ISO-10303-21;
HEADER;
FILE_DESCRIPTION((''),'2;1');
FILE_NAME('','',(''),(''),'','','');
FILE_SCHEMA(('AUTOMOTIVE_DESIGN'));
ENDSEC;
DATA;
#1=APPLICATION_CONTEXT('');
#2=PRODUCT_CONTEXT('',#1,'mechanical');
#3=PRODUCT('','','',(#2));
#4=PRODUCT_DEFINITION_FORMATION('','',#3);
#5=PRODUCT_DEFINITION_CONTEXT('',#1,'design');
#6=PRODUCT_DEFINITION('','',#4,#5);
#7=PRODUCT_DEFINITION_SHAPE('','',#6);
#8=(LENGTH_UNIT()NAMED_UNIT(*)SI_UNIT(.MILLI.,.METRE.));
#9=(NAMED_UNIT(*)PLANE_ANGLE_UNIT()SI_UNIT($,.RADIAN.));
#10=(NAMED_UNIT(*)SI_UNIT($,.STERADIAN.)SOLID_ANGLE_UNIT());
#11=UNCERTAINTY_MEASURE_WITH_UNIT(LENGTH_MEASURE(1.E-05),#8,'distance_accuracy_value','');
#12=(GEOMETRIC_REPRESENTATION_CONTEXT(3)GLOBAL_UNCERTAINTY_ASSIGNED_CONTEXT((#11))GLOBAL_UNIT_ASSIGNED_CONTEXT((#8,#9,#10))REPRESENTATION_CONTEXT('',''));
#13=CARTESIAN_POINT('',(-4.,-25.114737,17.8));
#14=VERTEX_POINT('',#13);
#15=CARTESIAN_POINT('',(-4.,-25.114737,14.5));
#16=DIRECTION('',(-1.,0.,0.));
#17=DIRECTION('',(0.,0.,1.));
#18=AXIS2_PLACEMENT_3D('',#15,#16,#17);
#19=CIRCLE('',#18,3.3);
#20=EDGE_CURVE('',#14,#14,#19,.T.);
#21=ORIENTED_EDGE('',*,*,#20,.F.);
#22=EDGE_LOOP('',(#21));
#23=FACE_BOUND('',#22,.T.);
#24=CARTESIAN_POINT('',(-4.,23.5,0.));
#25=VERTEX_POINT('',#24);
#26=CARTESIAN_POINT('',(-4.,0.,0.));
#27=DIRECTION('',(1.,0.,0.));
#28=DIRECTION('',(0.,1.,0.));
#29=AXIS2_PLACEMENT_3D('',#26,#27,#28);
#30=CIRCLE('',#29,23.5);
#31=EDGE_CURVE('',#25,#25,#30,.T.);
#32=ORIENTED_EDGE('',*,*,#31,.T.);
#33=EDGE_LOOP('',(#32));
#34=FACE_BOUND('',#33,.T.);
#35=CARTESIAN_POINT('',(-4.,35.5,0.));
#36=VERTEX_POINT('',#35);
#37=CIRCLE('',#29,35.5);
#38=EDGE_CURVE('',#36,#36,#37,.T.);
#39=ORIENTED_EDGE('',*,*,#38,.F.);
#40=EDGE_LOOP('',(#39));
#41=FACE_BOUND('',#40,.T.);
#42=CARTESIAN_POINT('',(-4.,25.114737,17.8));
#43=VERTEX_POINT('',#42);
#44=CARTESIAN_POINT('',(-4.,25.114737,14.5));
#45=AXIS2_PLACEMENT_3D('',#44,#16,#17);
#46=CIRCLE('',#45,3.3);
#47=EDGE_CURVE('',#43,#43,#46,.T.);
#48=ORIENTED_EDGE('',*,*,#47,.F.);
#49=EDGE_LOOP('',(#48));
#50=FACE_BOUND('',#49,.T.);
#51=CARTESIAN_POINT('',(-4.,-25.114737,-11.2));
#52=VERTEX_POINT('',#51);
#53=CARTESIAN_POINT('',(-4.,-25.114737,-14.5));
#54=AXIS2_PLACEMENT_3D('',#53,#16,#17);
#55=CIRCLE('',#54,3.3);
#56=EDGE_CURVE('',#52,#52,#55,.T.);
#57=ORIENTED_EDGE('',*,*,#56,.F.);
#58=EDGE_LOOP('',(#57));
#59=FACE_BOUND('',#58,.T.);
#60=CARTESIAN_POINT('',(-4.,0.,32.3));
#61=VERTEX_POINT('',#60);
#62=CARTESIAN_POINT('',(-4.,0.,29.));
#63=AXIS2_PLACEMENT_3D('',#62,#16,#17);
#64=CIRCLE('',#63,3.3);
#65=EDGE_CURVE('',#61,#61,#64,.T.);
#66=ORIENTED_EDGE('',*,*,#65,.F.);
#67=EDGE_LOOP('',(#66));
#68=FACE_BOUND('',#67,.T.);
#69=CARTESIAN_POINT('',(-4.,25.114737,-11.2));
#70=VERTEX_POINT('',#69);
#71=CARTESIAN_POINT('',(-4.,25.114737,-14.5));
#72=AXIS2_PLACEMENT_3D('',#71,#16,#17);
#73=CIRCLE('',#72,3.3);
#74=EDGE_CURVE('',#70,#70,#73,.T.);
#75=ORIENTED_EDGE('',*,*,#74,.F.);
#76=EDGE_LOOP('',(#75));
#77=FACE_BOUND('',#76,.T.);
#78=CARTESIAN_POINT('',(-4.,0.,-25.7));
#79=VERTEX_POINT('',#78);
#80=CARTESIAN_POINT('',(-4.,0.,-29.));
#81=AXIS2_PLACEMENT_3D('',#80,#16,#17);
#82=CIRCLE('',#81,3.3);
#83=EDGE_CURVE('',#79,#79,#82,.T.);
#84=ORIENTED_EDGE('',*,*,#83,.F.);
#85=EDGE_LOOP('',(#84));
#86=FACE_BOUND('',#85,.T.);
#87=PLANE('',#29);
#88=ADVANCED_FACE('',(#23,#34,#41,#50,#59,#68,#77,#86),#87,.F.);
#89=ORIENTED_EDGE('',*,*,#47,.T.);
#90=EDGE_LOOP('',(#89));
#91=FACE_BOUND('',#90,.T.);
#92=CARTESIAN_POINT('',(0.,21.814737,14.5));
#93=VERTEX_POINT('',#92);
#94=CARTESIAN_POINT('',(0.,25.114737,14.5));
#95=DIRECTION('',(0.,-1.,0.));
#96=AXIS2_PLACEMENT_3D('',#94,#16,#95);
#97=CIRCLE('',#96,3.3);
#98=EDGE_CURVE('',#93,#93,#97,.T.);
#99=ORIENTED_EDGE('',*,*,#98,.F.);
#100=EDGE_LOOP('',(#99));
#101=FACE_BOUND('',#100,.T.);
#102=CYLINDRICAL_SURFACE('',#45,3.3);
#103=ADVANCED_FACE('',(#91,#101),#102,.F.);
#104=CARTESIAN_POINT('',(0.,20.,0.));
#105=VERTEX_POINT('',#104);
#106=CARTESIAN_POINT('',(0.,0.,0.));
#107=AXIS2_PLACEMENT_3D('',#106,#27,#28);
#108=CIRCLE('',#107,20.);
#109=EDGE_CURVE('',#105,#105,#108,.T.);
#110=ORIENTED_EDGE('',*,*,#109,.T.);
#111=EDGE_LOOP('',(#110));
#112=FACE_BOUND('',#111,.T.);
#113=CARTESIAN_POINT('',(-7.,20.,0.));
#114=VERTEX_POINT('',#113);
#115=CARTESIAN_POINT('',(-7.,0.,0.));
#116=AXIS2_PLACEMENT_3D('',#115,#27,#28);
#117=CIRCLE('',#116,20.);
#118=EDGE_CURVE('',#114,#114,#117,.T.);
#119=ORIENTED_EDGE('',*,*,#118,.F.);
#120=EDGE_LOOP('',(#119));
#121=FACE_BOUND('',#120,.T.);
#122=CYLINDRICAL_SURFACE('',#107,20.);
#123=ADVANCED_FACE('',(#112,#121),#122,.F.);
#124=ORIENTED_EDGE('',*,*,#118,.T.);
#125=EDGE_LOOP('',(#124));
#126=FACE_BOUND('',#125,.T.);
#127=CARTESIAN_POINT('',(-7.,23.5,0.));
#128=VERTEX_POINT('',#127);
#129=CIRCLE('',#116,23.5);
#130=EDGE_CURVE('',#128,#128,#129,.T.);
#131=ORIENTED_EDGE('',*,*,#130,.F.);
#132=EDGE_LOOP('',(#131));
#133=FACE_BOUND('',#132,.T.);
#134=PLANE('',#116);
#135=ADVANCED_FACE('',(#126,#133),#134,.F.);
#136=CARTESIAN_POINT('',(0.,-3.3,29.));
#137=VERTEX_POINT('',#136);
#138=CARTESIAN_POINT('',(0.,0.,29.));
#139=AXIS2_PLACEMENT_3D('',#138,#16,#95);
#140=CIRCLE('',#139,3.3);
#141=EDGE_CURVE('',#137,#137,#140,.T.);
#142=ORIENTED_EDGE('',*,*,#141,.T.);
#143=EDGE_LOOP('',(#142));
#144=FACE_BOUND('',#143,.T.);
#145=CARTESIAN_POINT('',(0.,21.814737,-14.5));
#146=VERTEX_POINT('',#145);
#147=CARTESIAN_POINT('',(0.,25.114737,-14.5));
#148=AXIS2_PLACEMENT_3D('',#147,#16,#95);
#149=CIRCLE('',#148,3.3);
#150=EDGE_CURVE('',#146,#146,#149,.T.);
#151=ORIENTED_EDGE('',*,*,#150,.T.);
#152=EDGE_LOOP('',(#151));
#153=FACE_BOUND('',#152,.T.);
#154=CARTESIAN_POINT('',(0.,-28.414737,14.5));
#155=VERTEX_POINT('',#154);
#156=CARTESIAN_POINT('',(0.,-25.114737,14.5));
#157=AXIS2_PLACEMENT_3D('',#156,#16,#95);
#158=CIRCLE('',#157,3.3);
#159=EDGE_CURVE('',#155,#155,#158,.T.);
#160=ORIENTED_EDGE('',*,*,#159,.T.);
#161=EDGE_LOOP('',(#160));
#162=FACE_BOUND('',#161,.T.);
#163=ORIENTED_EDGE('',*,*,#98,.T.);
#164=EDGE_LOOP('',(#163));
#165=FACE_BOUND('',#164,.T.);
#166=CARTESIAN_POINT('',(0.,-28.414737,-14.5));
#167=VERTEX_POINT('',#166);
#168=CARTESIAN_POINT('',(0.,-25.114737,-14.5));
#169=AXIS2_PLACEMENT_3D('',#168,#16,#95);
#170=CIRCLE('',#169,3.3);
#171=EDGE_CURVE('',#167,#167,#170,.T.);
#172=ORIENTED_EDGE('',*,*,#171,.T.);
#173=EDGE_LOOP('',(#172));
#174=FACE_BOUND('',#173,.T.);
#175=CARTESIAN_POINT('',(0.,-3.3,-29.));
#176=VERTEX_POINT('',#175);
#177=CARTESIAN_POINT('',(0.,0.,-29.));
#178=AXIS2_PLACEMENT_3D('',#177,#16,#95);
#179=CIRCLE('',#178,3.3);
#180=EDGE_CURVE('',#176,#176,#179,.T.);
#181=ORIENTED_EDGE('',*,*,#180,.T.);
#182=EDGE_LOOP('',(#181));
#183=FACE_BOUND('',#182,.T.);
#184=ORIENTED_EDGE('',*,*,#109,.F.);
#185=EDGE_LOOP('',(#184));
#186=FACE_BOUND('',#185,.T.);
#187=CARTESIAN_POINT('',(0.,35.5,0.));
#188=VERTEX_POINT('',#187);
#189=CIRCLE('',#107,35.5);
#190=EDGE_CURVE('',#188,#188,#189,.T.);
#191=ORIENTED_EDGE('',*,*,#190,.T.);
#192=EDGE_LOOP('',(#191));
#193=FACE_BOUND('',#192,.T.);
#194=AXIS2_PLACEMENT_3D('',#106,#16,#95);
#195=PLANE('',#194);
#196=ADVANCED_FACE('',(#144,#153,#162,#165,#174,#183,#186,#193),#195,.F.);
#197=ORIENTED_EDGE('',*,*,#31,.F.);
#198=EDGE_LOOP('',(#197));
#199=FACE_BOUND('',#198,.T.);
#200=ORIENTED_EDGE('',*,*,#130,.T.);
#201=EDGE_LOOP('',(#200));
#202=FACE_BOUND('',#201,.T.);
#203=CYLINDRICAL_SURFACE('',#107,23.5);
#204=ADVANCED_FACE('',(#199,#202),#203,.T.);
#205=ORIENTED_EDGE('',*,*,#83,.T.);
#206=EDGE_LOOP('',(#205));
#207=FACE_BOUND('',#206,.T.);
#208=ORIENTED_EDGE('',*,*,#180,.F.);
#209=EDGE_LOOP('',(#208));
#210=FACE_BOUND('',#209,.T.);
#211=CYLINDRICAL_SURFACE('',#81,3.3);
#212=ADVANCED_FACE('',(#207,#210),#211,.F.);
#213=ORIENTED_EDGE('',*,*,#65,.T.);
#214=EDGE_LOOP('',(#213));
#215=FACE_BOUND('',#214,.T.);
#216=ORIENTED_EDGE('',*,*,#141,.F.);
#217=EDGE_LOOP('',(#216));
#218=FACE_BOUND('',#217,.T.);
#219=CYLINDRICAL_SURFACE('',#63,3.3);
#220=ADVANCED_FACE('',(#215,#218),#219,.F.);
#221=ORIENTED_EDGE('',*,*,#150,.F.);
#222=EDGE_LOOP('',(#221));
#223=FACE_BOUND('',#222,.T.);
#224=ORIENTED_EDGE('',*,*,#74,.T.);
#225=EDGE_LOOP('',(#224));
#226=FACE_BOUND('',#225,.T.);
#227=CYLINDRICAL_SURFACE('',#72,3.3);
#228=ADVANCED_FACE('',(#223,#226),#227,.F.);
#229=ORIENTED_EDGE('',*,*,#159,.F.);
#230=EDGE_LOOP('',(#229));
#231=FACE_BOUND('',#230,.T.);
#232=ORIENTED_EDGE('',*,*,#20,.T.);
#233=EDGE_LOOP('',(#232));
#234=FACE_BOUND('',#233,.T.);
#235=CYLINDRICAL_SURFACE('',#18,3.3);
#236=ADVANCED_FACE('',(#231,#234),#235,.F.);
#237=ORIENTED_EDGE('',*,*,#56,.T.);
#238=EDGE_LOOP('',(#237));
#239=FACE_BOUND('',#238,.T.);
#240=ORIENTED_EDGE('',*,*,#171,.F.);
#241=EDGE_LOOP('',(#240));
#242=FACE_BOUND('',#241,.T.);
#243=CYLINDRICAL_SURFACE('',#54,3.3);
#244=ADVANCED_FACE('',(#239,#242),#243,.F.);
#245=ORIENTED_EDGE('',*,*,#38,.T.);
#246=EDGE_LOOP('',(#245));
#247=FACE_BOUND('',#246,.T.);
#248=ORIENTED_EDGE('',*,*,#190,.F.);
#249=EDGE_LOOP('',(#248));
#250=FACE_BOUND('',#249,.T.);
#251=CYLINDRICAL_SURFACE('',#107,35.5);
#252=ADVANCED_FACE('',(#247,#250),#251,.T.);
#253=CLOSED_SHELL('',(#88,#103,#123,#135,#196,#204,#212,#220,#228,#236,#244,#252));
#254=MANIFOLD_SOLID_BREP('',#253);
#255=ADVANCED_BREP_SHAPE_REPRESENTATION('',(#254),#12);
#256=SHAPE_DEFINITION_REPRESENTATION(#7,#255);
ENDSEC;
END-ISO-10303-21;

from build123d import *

# Parameters (mm, degrees)
M6_CLEARANCE_HOLE1_D     = 6.6
M6_CLEARANCE_HOLE1_DEPTH = 4
CIRPATTERN1_COUNT        = 6


with BuildPart() as part:
    # Sketch2 → Revolve1 (revolve)
    with BuildSketch(Plane.XY):
        Polygon((-7, 23.5), (-7, 20), (0, 20), (0, 35.5), (-4, 35.5), (-4, 23.5), align=None)
    revolve(axis=Axis((0, 0, 0), (-1, 0, 0)))

    # M6 Clearance Hole1
    with Locations(Plane(origin=(-4, 0, -29), x_dir=(0, -1, 0), z_dir=(-1, 0, 0))):
        with Locations((0, 0)):
            m6_clearance_hole1 = Hole(M6_CLEARANCE_HOLE1_D / 2, depth=M6_CLEARANCE_HOLE1_DEPTH)

    # CirPattern1: M6 Clearance Hole1 ×6 about axis
    cirpattern1_axis = Axis((0, 0, 0), (1, 0, 0))
    for i in range(1, CIRPATTERN1_COUNT):
        add(m6_clearance_hole1.rotate(cirpattern1_axis, i * 360 / CIRPATTERN1_COUNT), mode=Mode.SUBTRACT)


solid = part.part
